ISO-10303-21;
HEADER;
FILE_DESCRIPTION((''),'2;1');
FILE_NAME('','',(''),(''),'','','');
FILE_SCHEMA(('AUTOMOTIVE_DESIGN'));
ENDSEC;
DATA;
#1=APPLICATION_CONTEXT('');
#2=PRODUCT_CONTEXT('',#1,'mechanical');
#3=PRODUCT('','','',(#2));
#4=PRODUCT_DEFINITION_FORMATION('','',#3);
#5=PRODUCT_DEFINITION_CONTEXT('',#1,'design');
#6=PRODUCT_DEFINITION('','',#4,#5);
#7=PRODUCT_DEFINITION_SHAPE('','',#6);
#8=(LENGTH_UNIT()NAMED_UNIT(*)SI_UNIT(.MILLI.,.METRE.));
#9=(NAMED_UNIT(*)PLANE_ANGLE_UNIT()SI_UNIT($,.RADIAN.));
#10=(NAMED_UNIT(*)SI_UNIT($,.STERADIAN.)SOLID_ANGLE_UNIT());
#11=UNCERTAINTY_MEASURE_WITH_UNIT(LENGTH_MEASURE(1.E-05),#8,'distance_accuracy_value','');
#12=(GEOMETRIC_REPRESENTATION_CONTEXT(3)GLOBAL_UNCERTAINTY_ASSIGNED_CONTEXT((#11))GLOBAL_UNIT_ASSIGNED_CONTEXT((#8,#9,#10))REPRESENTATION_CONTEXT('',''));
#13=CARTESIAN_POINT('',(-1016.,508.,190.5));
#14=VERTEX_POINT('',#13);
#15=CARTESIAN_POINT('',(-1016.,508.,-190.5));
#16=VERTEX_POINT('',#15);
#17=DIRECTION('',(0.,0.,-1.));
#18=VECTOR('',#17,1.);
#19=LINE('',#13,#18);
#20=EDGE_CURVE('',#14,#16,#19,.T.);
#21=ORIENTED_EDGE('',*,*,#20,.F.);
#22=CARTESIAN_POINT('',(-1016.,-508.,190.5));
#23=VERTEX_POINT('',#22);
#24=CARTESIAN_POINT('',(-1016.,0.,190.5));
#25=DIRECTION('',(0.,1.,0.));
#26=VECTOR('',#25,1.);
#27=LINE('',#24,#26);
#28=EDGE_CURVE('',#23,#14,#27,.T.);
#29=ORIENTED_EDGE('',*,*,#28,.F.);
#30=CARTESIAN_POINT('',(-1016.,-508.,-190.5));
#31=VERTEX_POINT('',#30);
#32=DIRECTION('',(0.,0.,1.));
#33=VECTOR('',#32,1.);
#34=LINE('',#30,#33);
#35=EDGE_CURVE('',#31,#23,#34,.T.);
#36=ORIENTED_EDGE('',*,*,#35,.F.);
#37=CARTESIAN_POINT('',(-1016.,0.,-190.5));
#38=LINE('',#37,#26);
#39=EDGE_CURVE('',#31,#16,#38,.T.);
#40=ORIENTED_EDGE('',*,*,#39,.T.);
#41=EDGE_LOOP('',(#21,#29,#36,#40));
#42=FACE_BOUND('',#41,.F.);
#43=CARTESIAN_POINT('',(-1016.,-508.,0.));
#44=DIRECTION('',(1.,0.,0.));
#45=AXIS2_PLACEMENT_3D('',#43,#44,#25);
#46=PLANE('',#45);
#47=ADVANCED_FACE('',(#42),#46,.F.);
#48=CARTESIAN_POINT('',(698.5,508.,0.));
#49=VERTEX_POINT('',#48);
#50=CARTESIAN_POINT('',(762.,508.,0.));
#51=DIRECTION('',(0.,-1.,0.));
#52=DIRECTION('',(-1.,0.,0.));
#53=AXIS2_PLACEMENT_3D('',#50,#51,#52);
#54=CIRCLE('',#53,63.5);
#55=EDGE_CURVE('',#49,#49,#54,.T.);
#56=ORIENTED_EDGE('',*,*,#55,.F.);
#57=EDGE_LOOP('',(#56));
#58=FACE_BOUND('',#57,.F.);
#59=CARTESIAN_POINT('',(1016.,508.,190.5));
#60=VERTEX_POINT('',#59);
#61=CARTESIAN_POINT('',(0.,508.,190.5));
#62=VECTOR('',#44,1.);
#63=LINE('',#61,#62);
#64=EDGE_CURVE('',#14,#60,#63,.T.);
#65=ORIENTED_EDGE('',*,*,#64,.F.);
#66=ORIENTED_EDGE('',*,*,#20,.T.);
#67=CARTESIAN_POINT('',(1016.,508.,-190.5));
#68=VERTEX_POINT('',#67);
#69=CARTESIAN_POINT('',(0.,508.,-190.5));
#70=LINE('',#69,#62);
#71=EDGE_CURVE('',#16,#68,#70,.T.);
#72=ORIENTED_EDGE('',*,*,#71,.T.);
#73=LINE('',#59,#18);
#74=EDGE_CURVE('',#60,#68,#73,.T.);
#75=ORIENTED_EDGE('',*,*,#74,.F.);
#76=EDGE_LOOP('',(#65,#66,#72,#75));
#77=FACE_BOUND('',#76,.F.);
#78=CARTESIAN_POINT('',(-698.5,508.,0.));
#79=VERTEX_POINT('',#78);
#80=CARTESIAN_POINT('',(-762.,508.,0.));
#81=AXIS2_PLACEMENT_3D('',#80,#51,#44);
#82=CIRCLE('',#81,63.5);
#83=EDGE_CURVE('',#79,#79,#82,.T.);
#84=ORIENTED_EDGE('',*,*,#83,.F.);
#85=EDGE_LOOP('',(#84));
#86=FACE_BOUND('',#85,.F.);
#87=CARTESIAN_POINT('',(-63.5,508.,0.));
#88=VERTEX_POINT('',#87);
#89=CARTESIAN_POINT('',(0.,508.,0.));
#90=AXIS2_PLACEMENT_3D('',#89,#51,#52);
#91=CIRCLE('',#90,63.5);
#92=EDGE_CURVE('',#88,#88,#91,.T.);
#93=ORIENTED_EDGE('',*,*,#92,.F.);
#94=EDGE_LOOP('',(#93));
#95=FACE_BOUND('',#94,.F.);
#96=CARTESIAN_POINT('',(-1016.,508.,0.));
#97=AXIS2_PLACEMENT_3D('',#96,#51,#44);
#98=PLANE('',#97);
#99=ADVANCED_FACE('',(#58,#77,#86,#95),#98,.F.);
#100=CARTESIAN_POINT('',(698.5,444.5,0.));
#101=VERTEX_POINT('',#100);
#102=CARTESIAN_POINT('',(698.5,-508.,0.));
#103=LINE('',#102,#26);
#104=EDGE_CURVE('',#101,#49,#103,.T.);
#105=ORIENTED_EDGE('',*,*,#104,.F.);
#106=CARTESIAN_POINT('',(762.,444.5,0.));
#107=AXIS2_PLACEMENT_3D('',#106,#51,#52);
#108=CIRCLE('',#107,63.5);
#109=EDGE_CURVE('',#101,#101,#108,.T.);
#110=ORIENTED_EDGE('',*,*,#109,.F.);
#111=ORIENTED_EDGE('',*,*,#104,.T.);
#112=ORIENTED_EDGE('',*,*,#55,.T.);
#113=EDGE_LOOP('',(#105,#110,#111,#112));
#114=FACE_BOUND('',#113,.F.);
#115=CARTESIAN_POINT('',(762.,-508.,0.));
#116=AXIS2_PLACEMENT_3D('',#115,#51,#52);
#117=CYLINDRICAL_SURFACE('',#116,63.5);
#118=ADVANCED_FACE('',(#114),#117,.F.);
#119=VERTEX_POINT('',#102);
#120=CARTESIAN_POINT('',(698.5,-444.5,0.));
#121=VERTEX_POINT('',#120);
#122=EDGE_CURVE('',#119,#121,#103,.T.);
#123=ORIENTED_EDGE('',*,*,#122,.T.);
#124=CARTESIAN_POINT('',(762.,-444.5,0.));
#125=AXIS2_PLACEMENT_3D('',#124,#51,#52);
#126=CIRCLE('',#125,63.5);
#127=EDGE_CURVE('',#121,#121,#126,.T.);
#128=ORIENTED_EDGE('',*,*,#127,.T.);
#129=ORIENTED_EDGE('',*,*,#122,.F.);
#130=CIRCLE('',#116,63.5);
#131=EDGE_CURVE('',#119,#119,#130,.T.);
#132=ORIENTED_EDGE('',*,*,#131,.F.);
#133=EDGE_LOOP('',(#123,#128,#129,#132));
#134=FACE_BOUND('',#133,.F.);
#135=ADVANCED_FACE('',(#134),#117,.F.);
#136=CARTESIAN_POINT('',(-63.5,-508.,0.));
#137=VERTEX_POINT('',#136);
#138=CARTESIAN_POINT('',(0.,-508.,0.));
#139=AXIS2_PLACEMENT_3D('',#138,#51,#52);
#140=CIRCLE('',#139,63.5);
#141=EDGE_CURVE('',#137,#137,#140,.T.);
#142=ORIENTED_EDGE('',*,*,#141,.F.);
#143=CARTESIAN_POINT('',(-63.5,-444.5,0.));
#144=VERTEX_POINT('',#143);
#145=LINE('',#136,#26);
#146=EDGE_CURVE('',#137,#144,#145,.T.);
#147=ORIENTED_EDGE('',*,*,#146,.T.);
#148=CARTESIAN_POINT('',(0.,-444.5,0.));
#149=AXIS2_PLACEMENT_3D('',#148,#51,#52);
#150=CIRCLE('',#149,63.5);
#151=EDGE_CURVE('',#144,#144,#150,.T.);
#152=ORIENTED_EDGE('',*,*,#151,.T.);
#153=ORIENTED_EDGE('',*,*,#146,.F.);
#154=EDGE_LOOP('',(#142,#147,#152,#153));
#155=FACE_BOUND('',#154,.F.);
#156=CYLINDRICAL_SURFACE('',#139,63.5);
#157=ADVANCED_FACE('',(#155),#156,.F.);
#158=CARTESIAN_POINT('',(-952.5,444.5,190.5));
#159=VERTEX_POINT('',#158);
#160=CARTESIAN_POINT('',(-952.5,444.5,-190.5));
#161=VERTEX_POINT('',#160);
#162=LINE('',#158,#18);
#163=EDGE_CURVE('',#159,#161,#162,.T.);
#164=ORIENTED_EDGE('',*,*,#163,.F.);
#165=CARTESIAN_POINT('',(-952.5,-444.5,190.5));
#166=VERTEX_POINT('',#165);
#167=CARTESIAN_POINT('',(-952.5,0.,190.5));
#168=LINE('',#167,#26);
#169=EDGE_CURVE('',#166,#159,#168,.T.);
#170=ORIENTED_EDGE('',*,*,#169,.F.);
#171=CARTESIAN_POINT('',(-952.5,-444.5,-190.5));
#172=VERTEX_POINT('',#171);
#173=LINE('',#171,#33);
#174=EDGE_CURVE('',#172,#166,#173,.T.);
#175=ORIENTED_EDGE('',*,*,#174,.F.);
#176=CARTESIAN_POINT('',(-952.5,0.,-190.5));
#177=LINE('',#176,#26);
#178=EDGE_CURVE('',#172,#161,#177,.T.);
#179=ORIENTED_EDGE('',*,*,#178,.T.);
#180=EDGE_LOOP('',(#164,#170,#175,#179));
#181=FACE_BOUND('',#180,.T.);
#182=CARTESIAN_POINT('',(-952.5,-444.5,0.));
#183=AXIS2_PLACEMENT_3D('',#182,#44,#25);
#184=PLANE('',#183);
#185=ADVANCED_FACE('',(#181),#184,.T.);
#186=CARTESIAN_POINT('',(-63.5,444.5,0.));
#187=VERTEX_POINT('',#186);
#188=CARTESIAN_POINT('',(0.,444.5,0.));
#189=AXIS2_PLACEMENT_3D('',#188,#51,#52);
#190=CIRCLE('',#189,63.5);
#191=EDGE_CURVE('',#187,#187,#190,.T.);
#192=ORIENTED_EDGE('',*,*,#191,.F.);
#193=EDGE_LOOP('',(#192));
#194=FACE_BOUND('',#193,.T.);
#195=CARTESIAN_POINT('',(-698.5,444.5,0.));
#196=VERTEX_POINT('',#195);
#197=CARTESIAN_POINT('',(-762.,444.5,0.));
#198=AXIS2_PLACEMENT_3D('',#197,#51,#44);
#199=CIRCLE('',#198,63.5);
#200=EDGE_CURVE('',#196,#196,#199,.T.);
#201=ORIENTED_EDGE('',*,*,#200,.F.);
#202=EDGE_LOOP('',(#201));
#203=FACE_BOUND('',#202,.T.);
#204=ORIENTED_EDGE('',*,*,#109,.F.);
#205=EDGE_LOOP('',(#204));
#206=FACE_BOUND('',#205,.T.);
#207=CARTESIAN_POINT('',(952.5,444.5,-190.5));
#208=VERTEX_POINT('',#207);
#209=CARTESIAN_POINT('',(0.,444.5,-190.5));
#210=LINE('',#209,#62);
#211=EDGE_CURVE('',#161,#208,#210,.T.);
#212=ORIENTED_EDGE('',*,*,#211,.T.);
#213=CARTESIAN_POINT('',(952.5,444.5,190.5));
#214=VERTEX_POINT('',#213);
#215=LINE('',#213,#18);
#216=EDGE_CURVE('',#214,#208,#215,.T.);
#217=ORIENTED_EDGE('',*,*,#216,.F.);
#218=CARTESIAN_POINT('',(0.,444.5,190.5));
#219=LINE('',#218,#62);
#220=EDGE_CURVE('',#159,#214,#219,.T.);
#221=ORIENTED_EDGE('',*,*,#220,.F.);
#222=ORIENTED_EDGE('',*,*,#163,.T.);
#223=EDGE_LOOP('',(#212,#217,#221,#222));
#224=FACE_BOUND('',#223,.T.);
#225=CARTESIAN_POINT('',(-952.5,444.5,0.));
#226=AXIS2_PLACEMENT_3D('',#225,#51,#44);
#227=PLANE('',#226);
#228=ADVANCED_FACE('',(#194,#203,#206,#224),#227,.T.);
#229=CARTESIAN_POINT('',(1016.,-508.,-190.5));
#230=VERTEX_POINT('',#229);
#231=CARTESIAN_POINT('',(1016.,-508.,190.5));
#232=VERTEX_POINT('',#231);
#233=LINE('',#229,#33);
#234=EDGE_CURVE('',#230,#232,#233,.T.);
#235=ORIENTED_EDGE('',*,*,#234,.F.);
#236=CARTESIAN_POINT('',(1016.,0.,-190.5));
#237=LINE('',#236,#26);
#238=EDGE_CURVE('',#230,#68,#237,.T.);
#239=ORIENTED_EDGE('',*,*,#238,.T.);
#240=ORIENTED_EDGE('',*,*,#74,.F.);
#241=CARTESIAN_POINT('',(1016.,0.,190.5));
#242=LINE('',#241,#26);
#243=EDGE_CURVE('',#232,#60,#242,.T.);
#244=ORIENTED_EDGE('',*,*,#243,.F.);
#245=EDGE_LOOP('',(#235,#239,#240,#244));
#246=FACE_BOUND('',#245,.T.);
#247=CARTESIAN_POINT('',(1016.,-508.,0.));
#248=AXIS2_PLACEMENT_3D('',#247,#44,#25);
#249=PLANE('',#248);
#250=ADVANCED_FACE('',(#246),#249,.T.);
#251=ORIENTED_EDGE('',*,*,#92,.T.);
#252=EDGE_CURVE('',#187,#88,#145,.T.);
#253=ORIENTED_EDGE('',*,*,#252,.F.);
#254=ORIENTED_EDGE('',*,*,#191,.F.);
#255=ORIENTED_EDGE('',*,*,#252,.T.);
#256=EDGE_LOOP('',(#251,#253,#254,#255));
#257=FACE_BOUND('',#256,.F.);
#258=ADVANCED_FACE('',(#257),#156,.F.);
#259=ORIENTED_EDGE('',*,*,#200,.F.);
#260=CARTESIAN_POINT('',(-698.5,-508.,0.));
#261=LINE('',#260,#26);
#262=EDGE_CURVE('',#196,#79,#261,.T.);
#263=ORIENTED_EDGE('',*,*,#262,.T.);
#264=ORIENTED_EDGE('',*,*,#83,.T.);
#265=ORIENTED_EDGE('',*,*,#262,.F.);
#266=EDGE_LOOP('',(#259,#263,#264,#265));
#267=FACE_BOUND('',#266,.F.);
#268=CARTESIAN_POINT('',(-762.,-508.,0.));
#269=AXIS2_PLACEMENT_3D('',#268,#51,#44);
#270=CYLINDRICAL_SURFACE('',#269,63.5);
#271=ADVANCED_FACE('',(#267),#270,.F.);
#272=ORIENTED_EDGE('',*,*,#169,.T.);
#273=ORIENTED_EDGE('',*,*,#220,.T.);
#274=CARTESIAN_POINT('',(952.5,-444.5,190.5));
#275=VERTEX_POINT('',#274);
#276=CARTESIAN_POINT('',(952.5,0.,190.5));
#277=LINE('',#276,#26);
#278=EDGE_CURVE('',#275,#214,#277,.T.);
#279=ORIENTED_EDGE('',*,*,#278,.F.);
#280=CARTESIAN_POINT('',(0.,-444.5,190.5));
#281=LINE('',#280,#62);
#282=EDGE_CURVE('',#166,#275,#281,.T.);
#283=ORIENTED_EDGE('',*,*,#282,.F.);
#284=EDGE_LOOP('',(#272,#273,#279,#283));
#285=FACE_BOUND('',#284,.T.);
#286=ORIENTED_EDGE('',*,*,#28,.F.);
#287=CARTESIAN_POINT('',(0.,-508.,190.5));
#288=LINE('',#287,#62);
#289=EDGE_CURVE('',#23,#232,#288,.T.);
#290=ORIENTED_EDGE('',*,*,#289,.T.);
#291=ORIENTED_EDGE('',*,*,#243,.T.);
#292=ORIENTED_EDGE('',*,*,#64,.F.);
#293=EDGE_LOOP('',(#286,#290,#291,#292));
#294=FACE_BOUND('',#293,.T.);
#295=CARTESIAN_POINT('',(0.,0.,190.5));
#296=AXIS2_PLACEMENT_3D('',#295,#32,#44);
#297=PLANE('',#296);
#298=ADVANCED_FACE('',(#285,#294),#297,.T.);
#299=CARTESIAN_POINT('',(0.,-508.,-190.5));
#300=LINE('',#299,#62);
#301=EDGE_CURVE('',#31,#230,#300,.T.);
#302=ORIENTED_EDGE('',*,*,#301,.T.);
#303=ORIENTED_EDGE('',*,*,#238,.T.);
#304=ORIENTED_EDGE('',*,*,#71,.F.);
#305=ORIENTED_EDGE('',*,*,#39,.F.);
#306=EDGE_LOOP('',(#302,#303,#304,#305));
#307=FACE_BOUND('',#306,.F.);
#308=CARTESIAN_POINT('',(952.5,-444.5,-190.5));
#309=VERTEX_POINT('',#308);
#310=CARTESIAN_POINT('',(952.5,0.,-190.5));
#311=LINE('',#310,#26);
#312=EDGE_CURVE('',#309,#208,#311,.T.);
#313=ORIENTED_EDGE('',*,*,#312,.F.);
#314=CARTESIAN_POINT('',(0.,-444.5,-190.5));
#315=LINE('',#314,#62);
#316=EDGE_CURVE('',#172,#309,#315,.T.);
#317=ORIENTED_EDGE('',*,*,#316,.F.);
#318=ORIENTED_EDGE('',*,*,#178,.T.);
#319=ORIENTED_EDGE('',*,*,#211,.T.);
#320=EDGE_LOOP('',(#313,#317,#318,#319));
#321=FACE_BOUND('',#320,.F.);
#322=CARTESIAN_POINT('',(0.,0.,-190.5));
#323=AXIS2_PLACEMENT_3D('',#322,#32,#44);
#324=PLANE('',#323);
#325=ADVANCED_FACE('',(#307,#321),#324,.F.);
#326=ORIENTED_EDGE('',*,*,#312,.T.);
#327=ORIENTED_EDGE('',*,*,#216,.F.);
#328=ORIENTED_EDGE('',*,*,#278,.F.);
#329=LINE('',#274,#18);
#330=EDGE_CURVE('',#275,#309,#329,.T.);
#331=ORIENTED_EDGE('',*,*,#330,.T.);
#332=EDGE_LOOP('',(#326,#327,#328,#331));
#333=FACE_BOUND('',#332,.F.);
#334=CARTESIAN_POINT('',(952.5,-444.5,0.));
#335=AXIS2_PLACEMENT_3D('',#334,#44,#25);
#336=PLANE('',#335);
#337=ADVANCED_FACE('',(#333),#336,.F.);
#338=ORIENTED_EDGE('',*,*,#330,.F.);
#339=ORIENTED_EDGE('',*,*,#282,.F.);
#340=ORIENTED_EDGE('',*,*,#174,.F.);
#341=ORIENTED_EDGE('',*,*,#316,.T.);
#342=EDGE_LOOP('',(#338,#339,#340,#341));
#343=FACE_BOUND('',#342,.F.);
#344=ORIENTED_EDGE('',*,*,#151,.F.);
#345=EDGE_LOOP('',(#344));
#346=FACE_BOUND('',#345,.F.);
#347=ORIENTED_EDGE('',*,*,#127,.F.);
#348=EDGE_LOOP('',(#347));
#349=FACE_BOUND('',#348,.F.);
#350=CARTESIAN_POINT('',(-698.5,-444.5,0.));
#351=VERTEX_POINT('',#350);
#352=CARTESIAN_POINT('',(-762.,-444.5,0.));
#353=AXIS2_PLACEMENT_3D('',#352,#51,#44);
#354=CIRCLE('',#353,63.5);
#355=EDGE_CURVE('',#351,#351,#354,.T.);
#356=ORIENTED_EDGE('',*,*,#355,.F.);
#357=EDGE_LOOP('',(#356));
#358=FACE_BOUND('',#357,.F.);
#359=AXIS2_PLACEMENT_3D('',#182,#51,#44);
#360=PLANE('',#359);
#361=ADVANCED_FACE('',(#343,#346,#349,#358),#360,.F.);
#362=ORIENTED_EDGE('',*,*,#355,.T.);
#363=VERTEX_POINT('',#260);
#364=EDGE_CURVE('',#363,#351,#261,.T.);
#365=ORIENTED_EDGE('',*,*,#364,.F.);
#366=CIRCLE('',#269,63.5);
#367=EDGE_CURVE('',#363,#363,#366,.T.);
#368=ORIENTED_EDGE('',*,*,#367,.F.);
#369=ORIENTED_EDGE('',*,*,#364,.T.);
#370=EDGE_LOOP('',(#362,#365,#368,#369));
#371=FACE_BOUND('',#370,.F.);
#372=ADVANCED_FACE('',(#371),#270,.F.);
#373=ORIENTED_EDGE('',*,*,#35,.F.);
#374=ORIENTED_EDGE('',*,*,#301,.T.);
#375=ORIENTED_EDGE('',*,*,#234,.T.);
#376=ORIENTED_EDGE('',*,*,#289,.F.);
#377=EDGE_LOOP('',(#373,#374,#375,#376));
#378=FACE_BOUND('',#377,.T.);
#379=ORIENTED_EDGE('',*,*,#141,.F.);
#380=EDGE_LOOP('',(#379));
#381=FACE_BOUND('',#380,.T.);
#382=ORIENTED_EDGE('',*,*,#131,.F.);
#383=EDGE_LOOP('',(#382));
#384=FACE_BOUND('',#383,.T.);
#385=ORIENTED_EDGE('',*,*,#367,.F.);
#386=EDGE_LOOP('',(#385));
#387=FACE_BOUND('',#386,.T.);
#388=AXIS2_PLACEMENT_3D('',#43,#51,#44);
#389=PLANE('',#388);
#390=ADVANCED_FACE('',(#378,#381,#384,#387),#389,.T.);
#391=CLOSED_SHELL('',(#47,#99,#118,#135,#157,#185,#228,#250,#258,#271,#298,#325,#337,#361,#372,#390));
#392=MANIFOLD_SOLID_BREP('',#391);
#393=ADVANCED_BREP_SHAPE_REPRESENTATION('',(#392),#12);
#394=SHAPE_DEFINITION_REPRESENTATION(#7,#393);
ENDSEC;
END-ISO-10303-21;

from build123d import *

# Parameters (mm, degrees)
F0_W     = 2032
F0_H     = 1016
F0_W_2   = 1905
F0_H_2   = 889
F1_DEPTH = 190.5
F2_R     = 63.5
F3_DEPTH = 1016.001


with BuildPart() as f1:
    # F0 (on Top) → F1 (new body, symmetric)
    with BuildSketch(Plane.XY):
        Rectangle(F0_W, F0_H)
        Rectangle(F0_W_2, F0_H_2, mode=Mode.SUBTRACT)
    extrude(amount=F1_DEPTH, both=True)

    # F2 (on face) → F3 (cut, through all)
    with BuildSketch(Plane.XZ.offset(508)):
        with BuildLine():
            ThreePointArc((825.5, 0), (762, 63.5), (698.5, 0))
            ThreePointArc((698.5, 0), (762, -63.5), (825.5, 0))
        make_face()
        with BuildLine():
            ThreePointArc((63.5, 0), (0, 63.5), (-63.5, 0))
            Line((-63.5, 0), (63.5, 0))
        make_face()
        with BuildLine():
            Line((63.5, 0), (-63.5, 0))
            ThreePointArc((-63.5, 0), (0, -63.5), (63.5, 0))
        make_face()
        with Locations((-762, 0)):
            Circle(F2_R)
    extrude(amount=-F3_DEPTH, mode=Mode.SUBTRACT)


solid = f1.part
